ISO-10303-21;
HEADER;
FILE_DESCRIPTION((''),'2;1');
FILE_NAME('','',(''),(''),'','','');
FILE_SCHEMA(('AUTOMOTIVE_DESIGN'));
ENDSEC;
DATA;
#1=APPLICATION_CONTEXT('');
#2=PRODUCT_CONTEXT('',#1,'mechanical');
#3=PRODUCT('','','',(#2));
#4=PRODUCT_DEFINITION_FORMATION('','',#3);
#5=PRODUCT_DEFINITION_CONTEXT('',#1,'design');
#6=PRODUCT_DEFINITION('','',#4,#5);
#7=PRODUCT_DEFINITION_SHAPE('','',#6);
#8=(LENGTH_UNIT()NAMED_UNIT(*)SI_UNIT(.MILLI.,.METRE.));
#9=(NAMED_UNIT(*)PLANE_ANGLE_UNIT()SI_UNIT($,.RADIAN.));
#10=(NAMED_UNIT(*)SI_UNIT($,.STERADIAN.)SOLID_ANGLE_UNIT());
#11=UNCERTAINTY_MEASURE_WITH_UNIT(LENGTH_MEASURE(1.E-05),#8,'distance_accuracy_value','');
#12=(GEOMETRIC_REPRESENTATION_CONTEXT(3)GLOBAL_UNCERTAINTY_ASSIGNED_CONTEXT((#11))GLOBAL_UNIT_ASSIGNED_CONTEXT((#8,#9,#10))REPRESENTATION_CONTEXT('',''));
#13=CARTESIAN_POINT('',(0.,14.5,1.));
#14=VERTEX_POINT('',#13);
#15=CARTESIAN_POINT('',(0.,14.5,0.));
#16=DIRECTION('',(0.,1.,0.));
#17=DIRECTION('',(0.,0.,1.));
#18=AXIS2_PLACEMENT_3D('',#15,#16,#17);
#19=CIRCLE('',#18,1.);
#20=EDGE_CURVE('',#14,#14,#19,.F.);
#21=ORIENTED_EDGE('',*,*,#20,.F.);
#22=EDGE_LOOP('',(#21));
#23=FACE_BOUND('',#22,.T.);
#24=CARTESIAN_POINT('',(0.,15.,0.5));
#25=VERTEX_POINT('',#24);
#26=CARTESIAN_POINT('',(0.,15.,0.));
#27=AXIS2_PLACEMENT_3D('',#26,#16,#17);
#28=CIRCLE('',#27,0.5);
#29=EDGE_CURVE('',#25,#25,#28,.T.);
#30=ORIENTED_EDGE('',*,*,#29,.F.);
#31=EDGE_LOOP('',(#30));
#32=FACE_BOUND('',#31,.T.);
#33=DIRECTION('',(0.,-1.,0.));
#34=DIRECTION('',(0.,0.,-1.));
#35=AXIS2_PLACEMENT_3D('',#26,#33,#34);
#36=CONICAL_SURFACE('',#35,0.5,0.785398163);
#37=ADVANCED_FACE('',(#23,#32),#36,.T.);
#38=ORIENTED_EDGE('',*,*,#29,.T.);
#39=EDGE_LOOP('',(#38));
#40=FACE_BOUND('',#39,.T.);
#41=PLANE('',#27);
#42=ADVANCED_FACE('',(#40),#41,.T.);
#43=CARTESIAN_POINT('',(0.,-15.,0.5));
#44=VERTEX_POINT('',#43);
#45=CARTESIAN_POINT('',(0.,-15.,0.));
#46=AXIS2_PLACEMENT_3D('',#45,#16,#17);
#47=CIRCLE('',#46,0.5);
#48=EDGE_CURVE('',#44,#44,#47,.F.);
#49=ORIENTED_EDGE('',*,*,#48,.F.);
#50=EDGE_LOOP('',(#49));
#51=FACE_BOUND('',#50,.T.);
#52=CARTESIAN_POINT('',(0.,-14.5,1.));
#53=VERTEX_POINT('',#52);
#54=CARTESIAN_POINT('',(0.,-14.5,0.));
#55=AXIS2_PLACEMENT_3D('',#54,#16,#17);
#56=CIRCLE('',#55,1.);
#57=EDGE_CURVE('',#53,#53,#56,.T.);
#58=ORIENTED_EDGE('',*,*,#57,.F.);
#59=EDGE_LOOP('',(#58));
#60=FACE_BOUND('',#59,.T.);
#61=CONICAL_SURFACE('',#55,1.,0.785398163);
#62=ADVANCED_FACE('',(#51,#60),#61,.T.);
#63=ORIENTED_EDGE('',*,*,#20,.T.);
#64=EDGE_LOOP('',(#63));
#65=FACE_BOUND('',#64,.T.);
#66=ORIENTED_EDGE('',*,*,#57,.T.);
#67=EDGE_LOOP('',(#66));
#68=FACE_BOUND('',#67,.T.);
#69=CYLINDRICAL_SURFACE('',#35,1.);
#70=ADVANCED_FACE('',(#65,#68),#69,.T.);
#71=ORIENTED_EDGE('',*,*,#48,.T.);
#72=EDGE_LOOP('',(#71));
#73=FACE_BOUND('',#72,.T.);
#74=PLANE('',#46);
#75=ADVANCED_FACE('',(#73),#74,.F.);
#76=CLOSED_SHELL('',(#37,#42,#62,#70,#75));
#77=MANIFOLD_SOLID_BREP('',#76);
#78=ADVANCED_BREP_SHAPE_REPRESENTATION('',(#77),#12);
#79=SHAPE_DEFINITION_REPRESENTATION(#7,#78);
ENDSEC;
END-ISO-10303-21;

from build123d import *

# Parameters (mm, degrees)
SZKIC1_R                    = 1
DODANIE_WYCI_GNI_CIE1_DEPTH = 15
SFAZOWANIE1_SIZE            = 0.5


with BuildPart() as part:
    # Szkic1 → Dodanie-wyciągnięcie1 (new body, symmetric)
    with BuildSketch(Plane(origin=(0, 0, 0), x_dir=(1, 0, 0), z_dir=(0, 1, 0))):
        Circle(SZKIC1_R)
    extrude(amount=DODANIE_WYCI_GNI_CIE1_DEPTH, both=True)

    # Sfazowanie1
    sfazowanie1_edges = [part.edges().sort_by_distance(p)[0] for p in [
        (-1, -15, 0),
        (-1, 15, 0),
    ]]
    chamfer(sfazowanie1_edges, length=SFAZOWANIE1_SIZE)


solid = part.part
